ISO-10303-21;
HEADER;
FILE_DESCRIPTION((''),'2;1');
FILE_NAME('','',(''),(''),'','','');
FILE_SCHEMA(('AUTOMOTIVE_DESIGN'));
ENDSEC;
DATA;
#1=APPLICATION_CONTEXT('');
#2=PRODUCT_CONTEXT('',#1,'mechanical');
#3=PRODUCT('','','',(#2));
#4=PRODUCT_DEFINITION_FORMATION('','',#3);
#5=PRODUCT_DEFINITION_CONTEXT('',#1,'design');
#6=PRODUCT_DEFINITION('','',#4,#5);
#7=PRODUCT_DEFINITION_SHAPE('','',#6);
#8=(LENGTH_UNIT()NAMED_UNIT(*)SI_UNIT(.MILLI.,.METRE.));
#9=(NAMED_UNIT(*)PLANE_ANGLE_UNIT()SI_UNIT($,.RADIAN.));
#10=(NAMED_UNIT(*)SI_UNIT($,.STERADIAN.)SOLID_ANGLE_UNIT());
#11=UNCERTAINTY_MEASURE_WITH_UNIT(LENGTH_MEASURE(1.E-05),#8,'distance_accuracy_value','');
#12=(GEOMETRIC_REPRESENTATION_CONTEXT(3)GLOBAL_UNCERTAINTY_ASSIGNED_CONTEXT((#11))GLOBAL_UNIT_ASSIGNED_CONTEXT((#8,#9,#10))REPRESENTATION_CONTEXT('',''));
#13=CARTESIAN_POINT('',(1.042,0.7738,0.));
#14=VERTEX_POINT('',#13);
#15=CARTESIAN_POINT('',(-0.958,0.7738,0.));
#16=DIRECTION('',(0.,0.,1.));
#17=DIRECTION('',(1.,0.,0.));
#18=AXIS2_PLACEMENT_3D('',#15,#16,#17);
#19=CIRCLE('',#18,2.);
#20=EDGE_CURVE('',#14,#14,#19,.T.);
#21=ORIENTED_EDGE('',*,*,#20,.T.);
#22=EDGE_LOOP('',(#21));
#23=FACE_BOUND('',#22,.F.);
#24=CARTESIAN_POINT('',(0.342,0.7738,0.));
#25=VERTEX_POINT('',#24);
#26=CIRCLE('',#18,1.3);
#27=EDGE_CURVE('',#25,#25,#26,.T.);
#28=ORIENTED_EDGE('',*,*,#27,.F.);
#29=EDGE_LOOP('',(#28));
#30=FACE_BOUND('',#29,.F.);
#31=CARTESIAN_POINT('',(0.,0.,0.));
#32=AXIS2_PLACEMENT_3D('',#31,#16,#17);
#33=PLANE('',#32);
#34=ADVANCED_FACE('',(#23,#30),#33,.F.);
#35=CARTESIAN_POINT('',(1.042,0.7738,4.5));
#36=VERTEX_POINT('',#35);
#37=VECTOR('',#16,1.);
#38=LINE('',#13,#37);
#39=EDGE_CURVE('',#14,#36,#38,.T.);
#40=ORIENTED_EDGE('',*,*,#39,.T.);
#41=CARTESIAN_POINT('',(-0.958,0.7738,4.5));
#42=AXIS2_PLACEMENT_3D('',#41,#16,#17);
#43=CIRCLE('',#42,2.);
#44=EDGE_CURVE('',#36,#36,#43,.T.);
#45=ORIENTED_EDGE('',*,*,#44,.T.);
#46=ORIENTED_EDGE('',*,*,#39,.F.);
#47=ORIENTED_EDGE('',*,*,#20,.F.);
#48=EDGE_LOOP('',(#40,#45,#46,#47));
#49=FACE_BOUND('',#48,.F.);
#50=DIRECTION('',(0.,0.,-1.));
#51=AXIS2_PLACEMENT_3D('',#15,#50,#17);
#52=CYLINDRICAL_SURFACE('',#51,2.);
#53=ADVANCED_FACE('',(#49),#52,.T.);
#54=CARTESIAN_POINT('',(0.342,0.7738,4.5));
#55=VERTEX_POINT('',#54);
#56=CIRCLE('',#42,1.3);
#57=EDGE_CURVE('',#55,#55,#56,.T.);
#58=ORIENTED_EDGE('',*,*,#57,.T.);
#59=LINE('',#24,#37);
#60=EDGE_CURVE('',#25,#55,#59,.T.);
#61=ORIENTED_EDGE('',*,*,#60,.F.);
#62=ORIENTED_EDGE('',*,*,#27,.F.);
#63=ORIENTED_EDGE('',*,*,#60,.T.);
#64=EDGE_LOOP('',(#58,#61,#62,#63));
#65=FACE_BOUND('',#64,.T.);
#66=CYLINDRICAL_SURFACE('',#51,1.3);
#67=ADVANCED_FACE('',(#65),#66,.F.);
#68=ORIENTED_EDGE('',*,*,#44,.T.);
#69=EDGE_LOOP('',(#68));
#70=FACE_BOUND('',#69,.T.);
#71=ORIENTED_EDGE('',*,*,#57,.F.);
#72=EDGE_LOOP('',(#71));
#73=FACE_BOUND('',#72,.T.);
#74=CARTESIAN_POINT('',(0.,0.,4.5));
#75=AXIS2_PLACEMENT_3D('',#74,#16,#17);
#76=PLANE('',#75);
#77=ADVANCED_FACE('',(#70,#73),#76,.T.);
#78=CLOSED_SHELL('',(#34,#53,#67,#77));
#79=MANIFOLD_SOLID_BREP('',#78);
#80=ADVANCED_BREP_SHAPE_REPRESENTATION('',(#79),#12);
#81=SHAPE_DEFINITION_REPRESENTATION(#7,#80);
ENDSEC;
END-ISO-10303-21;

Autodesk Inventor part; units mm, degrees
ref_plane "YZ Plane" through (0, 0, 0) normal (1, 0, 0) x (0, 1, 0)
ref_plane "XZ Plane" through (0, 0, 0) normal (0, 1, 0) x (-1, 0, 0)
ref_plane "XY Plane" through (0, 0, 0) normal (0, 0, 1) x (1, 0, 0)
sketch "Sketch6" plane through (0, 0, 0) normal (0, 0, 1) x (1, 0, 0)
  circle A0 centre (-0.958, 0.7738) radius 1.3
  circle A1 centre (-0.958, 0.7738) radius 2
  point P0 (0, 0)
  dimension "d85" = 4
  dimension "d86" = 2.6
extrude "Extrusion3" add sketch "Sketch6" along normal blind 4.5
properties part number "spacer 4.5mm"
